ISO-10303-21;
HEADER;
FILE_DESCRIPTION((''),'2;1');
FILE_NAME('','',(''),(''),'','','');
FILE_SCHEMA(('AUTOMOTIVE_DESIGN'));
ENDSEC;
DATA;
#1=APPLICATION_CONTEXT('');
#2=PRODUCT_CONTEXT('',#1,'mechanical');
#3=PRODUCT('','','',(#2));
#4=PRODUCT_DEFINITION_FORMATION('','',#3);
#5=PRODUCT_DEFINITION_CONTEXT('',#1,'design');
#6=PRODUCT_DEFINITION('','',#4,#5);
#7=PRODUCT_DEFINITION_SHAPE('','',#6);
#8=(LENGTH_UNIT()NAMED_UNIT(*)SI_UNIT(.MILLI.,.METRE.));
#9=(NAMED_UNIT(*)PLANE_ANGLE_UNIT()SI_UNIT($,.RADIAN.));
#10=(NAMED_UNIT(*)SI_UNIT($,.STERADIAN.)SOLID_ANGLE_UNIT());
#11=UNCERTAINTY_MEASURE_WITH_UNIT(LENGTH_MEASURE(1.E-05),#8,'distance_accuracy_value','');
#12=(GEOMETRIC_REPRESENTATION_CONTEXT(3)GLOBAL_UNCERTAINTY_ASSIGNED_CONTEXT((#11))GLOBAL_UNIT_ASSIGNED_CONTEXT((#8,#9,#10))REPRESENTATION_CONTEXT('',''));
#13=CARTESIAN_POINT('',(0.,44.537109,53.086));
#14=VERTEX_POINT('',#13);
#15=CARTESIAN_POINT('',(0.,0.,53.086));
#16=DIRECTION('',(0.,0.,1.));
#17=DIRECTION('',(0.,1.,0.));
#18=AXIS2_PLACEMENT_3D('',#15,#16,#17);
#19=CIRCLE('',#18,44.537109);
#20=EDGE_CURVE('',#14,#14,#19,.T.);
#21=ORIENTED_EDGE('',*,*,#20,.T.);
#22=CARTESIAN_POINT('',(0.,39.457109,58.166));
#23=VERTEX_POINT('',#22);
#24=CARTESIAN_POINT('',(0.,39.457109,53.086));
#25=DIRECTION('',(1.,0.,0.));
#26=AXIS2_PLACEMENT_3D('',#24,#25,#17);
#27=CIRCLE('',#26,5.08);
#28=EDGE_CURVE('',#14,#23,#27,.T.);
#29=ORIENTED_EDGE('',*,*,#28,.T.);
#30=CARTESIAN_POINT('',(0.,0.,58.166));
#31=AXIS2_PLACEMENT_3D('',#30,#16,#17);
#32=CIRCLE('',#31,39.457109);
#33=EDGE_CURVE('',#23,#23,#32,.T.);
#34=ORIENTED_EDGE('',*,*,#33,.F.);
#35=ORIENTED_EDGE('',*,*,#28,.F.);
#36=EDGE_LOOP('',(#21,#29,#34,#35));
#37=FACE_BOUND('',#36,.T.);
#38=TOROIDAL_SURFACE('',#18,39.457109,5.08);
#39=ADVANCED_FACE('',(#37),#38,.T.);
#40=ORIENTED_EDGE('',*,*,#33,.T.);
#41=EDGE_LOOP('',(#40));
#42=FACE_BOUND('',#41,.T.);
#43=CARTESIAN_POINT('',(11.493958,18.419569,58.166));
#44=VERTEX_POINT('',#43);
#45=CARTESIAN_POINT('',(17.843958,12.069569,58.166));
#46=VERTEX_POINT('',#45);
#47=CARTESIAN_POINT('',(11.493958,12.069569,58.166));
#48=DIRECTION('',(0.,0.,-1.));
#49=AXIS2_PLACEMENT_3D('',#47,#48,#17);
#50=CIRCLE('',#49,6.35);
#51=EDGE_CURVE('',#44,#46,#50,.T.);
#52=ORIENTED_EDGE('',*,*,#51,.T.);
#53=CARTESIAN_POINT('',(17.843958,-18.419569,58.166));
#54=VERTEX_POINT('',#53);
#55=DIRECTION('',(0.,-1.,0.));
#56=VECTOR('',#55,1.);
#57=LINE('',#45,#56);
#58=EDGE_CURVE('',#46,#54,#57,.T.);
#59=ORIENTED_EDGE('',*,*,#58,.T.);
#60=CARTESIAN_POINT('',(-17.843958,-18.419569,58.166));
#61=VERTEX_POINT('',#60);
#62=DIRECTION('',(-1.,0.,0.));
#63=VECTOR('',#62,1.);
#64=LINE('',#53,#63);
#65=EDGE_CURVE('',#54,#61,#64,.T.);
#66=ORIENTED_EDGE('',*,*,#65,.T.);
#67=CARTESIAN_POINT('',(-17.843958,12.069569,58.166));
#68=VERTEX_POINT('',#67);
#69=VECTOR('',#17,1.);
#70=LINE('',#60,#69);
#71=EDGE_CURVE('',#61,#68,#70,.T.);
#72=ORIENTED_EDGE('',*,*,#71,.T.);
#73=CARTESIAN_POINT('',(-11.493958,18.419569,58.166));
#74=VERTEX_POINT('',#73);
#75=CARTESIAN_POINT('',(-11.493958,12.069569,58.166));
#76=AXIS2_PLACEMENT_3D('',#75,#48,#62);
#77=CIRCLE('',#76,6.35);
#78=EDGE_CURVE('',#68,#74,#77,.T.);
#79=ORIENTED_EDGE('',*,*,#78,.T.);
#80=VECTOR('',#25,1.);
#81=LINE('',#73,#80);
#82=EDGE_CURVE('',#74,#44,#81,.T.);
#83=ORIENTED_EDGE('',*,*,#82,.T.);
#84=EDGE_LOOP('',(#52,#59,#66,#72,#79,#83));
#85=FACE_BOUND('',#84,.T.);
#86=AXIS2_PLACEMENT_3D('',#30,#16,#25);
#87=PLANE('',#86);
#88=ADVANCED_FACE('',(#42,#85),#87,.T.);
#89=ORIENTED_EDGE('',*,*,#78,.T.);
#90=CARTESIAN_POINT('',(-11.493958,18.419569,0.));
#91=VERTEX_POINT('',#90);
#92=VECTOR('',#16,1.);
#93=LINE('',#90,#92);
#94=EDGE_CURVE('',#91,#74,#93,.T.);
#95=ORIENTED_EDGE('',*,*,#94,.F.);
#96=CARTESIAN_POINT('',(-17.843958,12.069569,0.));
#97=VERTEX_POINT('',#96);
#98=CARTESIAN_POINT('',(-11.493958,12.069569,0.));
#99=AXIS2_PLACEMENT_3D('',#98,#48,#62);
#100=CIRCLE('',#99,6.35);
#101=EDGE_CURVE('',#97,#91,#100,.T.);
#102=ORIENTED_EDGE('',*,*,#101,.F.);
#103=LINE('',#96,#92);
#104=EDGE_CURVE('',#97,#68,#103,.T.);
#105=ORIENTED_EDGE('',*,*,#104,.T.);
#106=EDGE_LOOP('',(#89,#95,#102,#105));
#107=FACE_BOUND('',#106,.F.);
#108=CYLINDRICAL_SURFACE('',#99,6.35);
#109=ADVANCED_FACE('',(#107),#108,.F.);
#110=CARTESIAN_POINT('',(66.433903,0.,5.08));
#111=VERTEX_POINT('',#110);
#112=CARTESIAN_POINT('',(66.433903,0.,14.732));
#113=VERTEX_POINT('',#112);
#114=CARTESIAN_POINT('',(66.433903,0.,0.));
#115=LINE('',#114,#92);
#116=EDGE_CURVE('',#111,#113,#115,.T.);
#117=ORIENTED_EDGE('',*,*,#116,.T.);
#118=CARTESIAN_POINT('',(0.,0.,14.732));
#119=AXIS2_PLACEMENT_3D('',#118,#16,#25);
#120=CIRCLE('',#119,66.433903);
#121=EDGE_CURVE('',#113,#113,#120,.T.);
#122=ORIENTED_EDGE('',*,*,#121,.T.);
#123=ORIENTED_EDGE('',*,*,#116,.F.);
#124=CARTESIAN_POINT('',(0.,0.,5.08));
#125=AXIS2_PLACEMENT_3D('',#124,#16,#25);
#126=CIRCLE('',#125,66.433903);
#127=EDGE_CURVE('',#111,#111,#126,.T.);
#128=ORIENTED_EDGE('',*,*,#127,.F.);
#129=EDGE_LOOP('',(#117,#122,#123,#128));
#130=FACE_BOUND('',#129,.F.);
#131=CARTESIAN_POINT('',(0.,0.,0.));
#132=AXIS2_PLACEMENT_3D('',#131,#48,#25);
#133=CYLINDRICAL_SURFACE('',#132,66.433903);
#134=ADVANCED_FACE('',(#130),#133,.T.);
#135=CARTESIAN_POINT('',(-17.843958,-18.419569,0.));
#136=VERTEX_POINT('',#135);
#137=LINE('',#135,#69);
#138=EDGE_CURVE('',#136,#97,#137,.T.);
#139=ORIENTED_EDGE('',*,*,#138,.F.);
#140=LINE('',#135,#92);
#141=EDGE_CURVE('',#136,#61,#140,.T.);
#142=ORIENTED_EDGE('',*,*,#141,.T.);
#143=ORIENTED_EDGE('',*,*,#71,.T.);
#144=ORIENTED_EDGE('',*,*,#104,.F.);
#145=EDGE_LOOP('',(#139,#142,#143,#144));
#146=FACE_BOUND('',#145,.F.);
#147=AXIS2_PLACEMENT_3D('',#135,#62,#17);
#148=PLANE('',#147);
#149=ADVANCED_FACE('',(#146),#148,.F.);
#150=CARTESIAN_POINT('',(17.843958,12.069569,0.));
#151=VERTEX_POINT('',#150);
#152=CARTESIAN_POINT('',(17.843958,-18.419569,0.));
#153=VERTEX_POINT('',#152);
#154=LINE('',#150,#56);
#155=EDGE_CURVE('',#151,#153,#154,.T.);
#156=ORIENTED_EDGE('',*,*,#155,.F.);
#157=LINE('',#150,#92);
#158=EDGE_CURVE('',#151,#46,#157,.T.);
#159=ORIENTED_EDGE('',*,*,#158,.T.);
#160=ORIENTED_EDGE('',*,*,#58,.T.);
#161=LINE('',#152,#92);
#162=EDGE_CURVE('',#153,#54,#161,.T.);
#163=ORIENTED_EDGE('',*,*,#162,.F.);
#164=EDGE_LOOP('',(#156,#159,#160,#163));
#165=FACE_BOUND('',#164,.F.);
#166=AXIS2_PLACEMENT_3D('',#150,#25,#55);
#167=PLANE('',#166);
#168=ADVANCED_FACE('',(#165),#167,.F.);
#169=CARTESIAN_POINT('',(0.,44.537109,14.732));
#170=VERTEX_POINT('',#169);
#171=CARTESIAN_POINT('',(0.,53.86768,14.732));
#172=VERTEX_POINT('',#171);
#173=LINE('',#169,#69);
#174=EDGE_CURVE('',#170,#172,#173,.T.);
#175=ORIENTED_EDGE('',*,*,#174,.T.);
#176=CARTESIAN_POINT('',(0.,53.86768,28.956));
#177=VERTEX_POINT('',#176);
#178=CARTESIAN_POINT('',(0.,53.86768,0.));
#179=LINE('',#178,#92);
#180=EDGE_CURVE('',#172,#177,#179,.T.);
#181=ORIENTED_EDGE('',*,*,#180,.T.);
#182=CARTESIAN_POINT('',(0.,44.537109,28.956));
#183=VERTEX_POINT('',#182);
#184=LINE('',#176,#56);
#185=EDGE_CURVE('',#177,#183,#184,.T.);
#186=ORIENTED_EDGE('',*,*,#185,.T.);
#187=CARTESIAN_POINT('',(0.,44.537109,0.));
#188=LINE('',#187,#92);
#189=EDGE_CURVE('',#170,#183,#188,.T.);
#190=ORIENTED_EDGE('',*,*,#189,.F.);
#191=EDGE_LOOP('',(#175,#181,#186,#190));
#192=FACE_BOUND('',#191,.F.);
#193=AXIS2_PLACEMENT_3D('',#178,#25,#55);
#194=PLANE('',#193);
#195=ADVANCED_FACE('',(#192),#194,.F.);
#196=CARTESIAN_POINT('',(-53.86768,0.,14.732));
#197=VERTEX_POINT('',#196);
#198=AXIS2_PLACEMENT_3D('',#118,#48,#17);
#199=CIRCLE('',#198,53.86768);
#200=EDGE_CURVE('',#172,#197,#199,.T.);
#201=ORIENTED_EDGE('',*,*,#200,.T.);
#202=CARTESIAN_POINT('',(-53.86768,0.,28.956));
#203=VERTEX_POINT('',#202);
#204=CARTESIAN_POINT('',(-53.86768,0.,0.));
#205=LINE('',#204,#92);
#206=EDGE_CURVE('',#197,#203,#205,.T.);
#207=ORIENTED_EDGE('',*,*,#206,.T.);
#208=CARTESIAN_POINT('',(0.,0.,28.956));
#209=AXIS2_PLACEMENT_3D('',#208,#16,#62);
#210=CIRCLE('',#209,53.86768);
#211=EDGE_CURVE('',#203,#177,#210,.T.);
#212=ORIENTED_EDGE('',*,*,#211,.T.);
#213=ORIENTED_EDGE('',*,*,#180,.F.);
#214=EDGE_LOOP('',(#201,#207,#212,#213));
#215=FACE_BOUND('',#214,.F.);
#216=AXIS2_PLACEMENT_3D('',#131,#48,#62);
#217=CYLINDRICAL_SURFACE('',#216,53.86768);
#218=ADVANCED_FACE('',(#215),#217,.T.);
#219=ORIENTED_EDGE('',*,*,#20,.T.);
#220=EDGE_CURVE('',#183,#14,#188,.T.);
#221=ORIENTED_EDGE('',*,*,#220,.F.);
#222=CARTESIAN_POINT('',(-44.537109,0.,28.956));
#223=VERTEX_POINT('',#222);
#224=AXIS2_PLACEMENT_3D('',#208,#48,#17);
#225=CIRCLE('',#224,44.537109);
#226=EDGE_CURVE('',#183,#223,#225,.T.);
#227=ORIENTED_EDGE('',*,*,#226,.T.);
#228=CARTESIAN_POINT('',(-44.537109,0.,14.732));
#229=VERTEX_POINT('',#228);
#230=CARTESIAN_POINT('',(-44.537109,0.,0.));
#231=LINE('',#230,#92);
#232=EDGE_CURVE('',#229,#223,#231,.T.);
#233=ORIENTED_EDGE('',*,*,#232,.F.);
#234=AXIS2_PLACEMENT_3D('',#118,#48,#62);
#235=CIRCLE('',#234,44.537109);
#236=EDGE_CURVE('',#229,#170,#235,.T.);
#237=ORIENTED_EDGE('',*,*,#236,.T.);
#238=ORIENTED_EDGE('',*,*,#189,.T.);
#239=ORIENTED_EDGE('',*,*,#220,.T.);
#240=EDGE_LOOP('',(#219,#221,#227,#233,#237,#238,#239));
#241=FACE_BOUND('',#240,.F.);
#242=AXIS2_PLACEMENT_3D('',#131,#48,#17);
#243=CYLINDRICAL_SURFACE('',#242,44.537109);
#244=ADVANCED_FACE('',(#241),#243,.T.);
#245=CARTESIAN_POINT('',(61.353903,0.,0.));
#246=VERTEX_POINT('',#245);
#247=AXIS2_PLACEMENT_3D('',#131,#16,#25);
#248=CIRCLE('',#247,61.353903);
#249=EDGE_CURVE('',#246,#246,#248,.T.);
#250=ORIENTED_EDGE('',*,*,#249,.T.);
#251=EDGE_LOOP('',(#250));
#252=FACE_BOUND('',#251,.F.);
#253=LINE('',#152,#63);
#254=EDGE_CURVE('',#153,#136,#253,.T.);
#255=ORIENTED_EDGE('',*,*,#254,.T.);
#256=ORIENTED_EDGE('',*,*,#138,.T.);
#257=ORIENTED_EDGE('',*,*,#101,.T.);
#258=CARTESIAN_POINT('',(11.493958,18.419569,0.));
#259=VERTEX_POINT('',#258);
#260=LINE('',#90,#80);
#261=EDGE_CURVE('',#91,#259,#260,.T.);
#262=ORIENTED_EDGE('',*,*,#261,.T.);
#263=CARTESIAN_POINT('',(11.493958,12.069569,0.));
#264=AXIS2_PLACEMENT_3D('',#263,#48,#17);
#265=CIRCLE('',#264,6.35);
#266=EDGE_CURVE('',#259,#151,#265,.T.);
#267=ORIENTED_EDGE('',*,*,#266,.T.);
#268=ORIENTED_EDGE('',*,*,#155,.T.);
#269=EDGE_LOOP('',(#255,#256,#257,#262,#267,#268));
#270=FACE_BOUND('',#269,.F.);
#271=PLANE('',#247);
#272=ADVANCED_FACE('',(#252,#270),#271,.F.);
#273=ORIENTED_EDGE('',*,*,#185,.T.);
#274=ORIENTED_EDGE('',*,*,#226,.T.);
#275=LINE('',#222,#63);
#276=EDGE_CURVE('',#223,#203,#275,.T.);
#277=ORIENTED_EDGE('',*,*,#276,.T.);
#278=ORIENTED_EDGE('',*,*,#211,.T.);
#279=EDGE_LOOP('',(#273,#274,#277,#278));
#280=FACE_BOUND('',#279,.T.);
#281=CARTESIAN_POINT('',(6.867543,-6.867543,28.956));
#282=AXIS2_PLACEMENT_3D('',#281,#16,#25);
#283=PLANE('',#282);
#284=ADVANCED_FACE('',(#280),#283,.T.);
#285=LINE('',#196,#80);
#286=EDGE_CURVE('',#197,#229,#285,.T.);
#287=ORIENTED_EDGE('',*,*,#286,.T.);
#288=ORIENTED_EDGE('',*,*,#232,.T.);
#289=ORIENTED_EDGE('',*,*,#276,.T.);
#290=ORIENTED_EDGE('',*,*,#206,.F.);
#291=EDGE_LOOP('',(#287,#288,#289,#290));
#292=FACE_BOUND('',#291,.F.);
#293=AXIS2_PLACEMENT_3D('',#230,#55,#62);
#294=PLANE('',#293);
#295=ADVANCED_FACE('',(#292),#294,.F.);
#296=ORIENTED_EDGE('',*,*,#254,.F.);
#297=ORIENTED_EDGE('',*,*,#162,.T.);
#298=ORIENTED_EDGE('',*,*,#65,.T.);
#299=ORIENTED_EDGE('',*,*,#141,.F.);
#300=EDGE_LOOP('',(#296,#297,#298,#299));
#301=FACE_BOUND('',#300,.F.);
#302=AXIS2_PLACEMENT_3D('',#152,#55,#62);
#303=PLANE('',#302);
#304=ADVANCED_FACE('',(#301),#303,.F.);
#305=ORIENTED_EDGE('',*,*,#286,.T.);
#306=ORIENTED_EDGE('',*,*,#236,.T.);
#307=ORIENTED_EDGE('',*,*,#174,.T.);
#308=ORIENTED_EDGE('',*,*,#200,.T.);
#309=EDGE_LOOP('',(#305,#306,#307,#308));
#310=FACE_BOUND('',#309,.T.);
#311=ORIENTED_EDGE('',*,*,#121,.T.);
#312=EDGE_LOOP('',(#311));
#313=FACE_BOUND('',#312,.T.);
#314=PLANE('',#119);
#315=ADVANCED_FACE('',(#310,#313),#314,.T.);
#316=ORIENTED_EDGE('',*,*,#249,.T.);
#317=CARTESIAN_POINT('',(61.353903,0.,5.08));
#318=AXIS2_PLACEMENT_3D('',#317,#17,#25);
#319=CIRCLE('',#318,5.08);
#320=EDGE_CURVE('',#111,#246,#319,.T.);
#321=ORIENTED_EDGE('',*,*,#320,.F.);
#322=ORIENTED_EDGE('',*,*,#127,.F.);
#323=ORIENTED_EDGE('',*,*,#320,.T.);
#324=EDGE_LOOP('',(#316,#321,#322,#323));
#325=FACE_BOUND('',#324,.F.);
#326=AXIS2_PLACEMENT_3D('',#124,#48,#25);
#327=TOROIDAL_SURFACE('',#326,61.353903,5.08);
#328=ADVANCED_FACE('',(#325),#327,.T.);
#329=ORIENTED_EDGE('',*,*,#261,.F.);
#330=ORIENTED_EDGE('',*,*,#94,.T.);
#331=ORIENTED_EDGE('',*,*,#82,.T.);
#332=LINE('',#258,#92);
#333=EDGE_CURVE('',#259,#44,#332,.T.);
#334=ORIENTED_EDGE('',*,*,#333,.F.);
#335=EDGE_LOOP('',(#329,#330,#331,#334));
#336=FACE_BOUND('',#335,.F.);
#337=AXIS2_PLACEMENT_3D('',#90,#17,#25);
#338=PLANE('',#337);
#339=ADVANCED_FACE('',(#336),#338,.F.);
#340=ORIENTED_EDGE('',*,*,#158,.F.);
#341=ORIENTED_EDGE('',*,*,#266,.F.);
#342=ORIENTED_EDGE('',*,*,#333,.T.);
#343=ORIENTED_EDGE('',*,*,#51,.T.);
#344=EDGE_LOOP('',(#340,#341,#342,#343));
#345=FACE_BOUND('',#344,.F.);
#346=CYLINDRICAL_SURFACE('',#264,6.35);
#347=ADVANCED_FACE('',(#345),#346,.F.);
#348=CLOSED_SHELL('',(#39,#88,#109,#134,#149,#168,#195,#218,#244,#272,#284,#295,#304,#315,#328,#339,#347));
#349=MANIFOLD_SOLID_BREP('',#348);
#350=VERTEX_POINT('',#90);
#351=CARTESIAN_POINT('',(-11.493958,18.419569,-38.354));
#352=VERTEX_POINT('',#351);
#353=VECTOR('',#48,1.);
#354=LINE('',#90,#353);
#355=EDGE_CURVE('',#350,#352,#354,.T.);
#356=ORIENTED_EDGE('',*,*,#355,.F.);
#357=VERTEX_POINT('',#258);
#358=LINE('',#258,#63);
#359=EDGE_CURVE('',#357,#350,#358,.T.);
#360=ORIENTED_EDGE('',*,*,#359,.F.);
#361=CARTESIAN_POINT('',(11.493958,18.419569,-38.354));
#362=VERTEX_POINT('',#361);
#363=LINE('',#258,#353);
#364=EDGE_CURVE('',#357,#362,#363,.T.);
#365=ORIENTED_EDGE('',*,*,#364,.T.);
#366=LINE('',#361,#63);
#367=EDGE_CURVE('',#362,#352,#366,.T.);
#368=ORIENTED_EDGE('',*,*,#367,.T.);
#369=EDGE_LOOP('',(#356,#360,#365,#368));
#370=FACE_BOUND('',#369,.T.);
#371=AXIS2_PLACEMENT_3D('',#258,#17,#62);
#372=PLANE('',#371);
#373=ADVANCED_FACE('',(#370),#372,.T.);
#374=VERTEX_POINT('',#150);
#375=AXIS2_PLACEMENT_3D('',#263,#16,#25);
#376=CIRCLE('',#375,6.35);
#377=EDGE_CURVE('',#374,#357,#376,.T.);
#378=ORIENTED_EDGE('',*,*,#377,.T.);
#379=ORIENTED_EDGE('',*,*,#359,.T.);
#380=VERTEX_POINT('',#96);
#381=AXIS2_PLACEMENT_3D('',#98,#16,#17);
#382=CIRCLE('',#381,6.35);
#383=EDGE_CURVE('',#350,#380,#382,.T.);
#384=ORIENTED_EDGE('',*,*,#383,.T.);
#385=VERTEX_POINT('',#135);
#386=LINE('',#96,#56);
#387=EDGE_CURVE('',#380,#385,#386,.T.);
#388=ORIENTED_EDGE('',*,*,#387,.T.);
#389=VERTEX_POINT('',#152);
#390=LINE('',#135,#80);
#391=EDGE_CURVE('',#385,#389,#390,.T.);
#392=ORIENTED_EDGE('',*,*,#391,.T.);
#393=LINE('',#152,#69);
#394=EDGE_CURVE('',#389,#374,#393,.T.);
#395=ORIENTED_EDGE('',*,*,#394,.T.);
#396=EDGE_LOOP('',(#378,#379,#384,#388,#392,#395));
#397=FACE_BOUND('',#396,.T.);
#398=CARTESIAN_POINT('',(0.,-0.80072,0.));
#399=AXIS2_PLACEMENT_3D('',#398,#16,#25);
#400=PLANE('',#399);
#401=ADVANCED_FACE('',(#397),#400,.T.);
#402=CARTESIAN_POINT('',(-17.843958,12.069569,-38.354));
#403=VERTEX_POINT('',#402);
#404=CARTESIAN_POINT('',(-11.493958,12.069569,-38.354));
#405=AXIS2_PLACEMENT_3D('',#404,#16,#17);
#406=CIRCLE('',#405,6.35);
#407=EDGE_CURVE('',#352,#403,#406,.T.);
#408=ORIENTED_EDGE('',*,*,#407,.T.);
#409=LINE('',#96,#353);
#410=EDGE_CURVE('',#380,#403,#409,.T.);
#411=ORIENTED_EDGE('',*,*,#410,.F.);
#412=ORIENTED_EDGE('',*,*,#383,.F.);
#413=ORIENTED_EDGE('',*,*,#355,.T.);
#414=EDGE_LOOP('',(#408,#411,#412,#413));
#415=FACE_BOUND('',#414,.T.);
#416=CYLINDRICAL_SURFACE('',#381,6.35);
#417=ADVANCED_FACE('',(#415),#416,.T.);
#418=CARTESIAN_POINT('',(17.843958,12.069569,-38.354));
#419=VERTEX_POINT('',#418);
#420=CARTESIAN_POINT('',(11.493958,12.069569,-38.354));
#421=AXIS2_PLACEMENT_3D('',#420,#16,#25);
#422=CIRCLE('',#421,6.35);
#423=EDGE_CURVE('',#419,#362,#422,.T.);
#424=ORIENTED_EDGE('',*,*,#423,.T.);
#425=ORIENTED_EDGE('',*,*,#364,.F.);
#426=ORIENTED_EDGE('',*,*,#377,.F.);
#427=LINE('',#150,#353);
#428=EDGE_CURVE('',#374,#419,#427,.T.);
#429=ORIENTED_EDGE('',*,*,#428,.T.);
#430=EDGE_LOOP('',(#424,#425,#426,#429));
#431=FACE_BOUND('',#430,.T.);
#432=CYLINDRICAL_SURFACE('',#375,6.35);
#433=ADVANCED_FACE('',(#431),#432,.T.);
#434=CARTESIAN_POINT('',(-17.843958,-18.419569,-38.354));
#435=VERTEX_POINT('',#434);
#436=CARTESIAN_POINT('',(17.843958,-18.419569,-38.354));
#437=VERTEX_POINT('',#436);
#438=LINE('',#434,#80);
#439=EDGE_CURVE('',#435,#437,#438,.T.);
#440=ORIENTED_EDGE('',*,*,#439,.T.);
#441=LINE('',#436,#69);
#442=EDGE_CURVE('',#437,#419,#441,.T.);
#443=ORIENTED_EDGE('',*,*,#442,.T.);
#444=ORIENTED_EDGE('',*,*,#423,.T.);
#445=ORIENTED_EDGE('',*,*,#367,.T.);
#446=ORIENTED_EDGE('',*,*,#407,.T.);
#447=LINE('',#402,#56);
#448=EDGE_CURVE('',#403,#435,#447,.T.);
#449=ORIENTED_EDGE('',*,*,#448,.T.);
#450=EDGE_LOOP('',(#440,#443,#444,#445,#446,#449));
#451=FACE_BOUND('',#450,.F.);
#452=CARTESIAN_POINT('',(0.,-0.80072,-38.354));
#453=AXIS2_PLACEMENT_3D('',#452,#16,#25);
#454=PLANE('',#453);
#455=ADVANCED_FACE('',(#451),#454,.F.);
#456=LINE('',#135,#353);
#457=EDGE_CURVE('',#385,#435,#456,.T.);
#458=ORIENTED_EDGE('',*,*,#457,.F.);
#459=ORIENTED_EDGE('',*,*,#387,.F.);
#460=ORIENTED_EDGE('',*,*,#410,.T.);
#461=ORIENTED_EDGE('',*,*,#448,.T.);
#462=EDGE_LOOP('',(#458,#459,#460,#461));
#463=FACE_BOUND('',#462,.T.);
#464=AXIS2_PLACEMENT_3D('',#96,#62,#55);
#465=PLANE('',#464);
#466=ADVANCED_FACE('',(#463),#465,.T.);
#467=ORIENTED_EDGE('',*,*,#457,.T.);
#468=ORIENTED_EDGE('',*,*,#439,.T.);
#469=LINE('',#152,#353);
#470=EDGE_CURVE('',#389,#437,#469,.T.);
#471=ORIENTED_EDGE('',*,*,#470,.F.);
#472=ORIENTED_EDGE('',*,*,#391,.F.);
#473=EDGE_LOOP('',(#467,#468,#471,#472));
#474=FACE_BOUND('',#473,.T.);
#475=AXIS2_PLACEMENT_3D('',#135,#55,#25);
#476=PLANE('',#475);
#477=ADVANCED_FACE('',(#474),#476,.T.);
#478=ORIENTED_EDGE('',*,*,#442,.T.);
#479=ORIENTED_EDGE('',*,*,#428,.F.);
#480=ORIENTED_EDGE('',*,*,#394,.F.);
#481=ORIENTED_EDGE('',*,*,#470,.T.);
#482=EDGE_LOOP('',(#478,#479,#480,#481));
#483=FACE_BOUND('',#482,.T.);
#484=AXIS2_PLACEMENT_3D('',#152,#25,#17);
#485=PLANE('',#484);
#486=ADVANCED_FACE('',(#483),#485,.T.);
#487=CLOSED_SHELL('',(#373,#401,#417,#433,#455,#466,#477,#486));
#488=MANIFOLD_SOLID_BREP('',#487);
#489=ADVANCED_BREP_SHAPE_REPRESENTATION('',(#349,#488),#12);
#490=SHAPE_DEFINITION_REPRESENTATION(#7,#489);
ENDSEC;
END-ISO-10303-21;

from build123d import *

# Parameters (mm, degrees)
F1_DEPTH = 58.166
F2_DEPTH = 28.956
F0_R     = 66.4339027136
F3_DEPTH = 14.732
F4_DEPTH = 38.354
F5_R     = 5.08
F6_R     = 5.08


with BuildPart() as f1:
    # F0 (on Top) → F1 (new body)
    with BuildSketch(Plane.XY):
        with BuildLine():
            ThreePointArc((-44.5371092992, 0), (0, -44.5371092992), (44.5371092992, 0))
            ThreePointArc((44.5371092992, 0), (31.4924919999, 31.4924919999), (0, 44.5371092992))
            ThreePointArc((0, 44.5371092992), (-31.4924919999, 31.4924919999), (-44.5371092992, 0))
        make_face()
        with BuildLine():
            ThreePointArc((-17.8439579904, 12.0695693582), (-15.9840860509, 16.5596974188), (-11.4939579904, 18.4195693582))
            Line((-11.4939579904, 18.4195693582), (11.4939579904, 18.4195693582))
            ThreePointArc((11.4939579904, 18.4195693582), (15.9840860509, 16.5596974188), (17.8439579904, 12.0695693582))
            Line((17.8439579904, 12.0695693582), (17.8439579904, -18.4195693582))
            Line((17.8439579904, -18.4195693582), (-17.8439579904, -18.4195693582))
            Line((-17.8439579904, -18.4195693582), (-17.8439579904, 12.0695693582))
        make_face(mode=Mode.SUBTRACT)
    extrude(amount=F1_DEPTH)

    # F0 (on Top) → F2 (join)
    with BuildSketch(Plane.XY):
        with BuildLine():
            ThreePointArc((0, 44.5371092992), (31.4924919999, 31.4924919999), (44.5371092992, 0))
            ThreePointArc((44.5371092992, 0), (0, -44.5371092992), (-44.5371092992, 0))
            Line((-44.5371092992, 0), (-53.86768034, 0))
            ThreePointArc((-53.86768034, 0), (38.0902020552, -38.0902020552), (0, 53.86768034))
            Line((0, 53.86768034), (0, 44.5371092992))
        make_face()
    extrude(amount=F2_DEPTH)

    # F0 (on Top) → F3 (join)
    with BuildSketch(Plane.XY):
        Circle(F0_R)
        with BuildLine():
            ThreePointArc((-44.5371092992, 0), (-31.4924919999, 31.4924919999), (0, 44.5371092992))
            Line((0, 44.5371092992), (0, 53.86768034))
            ThreePointArc((0, 53.86768034), (38.0902020552, -38.0902020552), (-53.86768034, 0))
            Line((-53.86768034, 0), (-44.5371092992, 0))
        make_face(mode=Mode.SUBTRACT)
    extrude(amount=F3_DEPTH)

    # F5
    f5_edges = [f1.edges().sort_by_distance(p)[0] for p in [
        (-66.433903, 0, 0),
    ]]
    fillet(f5_edges, radius=F5_R)

    # F6
    f6_edges = [f1.edges().sort_by_distance(p)[0] for p in [
        (-44.537109, 0, 58.166),
    ]]
    fillet(f6_edges, radius=F6_R)


with BuildPart() as f4:
    # F0 (on Top) → F4 (new body)
    with BuildSketch(Plane.XY):
        with BuildLine():
            Line((11.4939579904, 18.4195693582), (-11.4939579904, 18.4195693582))
            ThreePointArc((-11.4939579904, 18.4195693582), (-15.9840860509, 16.5596974188), (-17.8439579904, 12.0695693582))
            Line((-17.8439579904, 12.0695693582), (-17.8439579904, -18.4195693582))
            Line((-17.8439579904, -18.4195693582), (17.8439579904, -18.4195693582))
            Line((17.8439579904, -18.4195693582), (17.8439579904, 12.0695693582))
            ThreePointArc((17.8439579904, 12.0695693582), (15.9840860509, 16.5596974188), (11.4939579904, 18.4195693582))
        make_face()
    extrude(amount=-F4_DEPTH)


solid = Compound([f1.part, f4.part])
